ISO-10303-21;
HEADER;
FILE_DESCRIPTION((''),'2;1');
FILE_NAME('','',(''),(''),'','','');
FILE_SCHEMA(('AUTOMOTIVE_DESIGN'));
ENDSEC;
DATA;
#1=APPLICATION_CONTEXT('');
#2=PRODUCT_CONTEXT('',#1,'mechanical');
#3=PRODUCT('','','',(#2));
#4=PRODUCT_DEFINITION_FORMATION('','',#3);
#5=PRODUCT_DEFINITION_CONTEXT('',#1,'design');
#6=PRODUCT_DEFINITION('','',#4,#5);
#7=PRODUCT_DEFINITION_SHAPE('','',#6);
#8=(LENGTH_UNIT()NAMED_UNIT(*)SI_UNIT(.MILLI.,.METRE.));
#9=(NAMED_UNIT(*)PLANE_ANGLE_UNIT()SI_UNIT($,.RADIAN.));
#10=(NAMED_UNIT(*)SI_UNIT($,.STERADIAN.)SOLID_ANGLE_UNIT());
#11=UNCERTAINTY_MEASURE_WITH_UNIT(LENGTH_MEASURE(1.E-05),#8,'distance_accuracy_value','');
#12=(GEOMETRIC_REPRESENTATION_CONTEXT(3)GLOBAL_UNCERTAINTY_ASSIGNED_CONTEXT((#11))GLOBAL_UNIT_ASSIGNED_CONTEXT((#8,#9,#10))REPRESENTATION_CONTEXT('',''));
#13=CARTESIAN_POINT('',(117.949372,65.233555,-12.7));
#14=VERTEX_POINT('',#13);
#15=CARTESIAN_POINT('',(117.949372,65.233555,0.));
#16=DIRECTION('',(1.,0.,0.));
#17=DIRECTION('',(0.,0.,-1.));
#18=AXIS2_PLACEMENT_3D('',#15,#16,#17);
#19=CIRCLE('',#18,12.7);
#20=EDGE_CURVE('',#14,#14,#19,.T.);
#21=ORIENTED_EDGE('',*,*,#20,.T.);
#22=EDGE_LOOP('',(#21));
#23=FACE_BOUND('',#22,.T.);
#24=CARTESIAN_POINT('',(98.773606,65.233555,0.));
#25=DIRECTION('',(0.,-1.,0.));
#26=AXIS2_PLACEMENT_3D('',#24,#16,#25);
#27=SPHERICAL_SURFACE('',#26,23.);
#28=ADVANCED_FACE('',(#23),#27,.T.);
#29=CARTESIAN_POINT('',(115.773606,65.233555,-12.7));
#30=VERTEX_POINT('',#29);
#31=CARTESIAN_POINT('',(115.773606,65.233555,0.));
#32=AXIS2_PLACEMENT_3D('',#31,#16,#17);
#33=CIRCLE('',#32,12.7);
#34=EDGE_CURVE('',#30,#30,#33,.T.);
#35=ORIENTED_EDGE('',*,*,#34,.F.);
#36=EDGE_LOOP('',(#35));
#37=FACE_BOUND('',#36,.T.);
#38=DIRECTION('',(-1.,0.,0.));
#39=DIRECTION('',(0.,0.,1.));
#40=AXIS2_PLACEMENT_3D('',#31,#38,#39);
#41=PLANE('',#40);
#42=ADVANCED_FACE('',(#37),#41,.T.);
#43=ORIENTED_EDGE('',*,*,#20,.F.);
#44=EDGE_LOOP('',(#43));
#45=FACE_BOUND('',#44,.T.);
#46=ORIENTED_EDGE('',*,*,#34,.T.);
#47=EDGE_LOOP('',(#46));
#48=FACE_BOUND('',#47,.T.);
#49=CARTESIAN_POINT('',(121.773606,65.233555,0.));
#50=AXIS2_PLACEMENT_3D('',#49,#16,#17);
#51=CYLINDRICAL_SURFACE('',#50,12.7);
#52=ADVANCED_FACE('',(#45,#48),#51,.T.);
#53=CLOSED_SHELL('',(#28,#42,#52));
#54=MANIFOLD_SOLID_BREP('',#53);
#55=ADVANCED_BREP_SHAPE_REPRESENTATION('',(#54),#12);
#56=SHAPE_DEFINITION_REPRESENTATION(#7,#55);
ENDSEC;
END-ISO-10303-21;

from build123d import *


with BuildPart() as part:
    # 草图1 → 旋转1 (revolve)
    with BuildSketch(Plane.XY, mode=Mode.PRIVATE) as revolve_1_sk:
        with BuildLine():
            Line((115.773606431, 65.233554926), (115.773606431, 77.933554926))
            Line((115.773606431, 77.933554926), (117.949372387, 77.933554926))
            ThreePointArc((117.949372387, 77.933554926), (120.796805756, 71.865198124), (121.773606431, 65.233554926))
            Line((121.773606431, 65.233554926), (115.773606431, 65.233554926))
        make_face()
    revolve(revolve_1_sk.sketch.rotate(Axis((121.773606431, 65.233554926, 0), (-1, 0, 0)), 180), axis=Axis((121.773606431, 65.233554926, 0), (-1, 0, 0)))  # turned: the seam where the file's is


solid = part.part
